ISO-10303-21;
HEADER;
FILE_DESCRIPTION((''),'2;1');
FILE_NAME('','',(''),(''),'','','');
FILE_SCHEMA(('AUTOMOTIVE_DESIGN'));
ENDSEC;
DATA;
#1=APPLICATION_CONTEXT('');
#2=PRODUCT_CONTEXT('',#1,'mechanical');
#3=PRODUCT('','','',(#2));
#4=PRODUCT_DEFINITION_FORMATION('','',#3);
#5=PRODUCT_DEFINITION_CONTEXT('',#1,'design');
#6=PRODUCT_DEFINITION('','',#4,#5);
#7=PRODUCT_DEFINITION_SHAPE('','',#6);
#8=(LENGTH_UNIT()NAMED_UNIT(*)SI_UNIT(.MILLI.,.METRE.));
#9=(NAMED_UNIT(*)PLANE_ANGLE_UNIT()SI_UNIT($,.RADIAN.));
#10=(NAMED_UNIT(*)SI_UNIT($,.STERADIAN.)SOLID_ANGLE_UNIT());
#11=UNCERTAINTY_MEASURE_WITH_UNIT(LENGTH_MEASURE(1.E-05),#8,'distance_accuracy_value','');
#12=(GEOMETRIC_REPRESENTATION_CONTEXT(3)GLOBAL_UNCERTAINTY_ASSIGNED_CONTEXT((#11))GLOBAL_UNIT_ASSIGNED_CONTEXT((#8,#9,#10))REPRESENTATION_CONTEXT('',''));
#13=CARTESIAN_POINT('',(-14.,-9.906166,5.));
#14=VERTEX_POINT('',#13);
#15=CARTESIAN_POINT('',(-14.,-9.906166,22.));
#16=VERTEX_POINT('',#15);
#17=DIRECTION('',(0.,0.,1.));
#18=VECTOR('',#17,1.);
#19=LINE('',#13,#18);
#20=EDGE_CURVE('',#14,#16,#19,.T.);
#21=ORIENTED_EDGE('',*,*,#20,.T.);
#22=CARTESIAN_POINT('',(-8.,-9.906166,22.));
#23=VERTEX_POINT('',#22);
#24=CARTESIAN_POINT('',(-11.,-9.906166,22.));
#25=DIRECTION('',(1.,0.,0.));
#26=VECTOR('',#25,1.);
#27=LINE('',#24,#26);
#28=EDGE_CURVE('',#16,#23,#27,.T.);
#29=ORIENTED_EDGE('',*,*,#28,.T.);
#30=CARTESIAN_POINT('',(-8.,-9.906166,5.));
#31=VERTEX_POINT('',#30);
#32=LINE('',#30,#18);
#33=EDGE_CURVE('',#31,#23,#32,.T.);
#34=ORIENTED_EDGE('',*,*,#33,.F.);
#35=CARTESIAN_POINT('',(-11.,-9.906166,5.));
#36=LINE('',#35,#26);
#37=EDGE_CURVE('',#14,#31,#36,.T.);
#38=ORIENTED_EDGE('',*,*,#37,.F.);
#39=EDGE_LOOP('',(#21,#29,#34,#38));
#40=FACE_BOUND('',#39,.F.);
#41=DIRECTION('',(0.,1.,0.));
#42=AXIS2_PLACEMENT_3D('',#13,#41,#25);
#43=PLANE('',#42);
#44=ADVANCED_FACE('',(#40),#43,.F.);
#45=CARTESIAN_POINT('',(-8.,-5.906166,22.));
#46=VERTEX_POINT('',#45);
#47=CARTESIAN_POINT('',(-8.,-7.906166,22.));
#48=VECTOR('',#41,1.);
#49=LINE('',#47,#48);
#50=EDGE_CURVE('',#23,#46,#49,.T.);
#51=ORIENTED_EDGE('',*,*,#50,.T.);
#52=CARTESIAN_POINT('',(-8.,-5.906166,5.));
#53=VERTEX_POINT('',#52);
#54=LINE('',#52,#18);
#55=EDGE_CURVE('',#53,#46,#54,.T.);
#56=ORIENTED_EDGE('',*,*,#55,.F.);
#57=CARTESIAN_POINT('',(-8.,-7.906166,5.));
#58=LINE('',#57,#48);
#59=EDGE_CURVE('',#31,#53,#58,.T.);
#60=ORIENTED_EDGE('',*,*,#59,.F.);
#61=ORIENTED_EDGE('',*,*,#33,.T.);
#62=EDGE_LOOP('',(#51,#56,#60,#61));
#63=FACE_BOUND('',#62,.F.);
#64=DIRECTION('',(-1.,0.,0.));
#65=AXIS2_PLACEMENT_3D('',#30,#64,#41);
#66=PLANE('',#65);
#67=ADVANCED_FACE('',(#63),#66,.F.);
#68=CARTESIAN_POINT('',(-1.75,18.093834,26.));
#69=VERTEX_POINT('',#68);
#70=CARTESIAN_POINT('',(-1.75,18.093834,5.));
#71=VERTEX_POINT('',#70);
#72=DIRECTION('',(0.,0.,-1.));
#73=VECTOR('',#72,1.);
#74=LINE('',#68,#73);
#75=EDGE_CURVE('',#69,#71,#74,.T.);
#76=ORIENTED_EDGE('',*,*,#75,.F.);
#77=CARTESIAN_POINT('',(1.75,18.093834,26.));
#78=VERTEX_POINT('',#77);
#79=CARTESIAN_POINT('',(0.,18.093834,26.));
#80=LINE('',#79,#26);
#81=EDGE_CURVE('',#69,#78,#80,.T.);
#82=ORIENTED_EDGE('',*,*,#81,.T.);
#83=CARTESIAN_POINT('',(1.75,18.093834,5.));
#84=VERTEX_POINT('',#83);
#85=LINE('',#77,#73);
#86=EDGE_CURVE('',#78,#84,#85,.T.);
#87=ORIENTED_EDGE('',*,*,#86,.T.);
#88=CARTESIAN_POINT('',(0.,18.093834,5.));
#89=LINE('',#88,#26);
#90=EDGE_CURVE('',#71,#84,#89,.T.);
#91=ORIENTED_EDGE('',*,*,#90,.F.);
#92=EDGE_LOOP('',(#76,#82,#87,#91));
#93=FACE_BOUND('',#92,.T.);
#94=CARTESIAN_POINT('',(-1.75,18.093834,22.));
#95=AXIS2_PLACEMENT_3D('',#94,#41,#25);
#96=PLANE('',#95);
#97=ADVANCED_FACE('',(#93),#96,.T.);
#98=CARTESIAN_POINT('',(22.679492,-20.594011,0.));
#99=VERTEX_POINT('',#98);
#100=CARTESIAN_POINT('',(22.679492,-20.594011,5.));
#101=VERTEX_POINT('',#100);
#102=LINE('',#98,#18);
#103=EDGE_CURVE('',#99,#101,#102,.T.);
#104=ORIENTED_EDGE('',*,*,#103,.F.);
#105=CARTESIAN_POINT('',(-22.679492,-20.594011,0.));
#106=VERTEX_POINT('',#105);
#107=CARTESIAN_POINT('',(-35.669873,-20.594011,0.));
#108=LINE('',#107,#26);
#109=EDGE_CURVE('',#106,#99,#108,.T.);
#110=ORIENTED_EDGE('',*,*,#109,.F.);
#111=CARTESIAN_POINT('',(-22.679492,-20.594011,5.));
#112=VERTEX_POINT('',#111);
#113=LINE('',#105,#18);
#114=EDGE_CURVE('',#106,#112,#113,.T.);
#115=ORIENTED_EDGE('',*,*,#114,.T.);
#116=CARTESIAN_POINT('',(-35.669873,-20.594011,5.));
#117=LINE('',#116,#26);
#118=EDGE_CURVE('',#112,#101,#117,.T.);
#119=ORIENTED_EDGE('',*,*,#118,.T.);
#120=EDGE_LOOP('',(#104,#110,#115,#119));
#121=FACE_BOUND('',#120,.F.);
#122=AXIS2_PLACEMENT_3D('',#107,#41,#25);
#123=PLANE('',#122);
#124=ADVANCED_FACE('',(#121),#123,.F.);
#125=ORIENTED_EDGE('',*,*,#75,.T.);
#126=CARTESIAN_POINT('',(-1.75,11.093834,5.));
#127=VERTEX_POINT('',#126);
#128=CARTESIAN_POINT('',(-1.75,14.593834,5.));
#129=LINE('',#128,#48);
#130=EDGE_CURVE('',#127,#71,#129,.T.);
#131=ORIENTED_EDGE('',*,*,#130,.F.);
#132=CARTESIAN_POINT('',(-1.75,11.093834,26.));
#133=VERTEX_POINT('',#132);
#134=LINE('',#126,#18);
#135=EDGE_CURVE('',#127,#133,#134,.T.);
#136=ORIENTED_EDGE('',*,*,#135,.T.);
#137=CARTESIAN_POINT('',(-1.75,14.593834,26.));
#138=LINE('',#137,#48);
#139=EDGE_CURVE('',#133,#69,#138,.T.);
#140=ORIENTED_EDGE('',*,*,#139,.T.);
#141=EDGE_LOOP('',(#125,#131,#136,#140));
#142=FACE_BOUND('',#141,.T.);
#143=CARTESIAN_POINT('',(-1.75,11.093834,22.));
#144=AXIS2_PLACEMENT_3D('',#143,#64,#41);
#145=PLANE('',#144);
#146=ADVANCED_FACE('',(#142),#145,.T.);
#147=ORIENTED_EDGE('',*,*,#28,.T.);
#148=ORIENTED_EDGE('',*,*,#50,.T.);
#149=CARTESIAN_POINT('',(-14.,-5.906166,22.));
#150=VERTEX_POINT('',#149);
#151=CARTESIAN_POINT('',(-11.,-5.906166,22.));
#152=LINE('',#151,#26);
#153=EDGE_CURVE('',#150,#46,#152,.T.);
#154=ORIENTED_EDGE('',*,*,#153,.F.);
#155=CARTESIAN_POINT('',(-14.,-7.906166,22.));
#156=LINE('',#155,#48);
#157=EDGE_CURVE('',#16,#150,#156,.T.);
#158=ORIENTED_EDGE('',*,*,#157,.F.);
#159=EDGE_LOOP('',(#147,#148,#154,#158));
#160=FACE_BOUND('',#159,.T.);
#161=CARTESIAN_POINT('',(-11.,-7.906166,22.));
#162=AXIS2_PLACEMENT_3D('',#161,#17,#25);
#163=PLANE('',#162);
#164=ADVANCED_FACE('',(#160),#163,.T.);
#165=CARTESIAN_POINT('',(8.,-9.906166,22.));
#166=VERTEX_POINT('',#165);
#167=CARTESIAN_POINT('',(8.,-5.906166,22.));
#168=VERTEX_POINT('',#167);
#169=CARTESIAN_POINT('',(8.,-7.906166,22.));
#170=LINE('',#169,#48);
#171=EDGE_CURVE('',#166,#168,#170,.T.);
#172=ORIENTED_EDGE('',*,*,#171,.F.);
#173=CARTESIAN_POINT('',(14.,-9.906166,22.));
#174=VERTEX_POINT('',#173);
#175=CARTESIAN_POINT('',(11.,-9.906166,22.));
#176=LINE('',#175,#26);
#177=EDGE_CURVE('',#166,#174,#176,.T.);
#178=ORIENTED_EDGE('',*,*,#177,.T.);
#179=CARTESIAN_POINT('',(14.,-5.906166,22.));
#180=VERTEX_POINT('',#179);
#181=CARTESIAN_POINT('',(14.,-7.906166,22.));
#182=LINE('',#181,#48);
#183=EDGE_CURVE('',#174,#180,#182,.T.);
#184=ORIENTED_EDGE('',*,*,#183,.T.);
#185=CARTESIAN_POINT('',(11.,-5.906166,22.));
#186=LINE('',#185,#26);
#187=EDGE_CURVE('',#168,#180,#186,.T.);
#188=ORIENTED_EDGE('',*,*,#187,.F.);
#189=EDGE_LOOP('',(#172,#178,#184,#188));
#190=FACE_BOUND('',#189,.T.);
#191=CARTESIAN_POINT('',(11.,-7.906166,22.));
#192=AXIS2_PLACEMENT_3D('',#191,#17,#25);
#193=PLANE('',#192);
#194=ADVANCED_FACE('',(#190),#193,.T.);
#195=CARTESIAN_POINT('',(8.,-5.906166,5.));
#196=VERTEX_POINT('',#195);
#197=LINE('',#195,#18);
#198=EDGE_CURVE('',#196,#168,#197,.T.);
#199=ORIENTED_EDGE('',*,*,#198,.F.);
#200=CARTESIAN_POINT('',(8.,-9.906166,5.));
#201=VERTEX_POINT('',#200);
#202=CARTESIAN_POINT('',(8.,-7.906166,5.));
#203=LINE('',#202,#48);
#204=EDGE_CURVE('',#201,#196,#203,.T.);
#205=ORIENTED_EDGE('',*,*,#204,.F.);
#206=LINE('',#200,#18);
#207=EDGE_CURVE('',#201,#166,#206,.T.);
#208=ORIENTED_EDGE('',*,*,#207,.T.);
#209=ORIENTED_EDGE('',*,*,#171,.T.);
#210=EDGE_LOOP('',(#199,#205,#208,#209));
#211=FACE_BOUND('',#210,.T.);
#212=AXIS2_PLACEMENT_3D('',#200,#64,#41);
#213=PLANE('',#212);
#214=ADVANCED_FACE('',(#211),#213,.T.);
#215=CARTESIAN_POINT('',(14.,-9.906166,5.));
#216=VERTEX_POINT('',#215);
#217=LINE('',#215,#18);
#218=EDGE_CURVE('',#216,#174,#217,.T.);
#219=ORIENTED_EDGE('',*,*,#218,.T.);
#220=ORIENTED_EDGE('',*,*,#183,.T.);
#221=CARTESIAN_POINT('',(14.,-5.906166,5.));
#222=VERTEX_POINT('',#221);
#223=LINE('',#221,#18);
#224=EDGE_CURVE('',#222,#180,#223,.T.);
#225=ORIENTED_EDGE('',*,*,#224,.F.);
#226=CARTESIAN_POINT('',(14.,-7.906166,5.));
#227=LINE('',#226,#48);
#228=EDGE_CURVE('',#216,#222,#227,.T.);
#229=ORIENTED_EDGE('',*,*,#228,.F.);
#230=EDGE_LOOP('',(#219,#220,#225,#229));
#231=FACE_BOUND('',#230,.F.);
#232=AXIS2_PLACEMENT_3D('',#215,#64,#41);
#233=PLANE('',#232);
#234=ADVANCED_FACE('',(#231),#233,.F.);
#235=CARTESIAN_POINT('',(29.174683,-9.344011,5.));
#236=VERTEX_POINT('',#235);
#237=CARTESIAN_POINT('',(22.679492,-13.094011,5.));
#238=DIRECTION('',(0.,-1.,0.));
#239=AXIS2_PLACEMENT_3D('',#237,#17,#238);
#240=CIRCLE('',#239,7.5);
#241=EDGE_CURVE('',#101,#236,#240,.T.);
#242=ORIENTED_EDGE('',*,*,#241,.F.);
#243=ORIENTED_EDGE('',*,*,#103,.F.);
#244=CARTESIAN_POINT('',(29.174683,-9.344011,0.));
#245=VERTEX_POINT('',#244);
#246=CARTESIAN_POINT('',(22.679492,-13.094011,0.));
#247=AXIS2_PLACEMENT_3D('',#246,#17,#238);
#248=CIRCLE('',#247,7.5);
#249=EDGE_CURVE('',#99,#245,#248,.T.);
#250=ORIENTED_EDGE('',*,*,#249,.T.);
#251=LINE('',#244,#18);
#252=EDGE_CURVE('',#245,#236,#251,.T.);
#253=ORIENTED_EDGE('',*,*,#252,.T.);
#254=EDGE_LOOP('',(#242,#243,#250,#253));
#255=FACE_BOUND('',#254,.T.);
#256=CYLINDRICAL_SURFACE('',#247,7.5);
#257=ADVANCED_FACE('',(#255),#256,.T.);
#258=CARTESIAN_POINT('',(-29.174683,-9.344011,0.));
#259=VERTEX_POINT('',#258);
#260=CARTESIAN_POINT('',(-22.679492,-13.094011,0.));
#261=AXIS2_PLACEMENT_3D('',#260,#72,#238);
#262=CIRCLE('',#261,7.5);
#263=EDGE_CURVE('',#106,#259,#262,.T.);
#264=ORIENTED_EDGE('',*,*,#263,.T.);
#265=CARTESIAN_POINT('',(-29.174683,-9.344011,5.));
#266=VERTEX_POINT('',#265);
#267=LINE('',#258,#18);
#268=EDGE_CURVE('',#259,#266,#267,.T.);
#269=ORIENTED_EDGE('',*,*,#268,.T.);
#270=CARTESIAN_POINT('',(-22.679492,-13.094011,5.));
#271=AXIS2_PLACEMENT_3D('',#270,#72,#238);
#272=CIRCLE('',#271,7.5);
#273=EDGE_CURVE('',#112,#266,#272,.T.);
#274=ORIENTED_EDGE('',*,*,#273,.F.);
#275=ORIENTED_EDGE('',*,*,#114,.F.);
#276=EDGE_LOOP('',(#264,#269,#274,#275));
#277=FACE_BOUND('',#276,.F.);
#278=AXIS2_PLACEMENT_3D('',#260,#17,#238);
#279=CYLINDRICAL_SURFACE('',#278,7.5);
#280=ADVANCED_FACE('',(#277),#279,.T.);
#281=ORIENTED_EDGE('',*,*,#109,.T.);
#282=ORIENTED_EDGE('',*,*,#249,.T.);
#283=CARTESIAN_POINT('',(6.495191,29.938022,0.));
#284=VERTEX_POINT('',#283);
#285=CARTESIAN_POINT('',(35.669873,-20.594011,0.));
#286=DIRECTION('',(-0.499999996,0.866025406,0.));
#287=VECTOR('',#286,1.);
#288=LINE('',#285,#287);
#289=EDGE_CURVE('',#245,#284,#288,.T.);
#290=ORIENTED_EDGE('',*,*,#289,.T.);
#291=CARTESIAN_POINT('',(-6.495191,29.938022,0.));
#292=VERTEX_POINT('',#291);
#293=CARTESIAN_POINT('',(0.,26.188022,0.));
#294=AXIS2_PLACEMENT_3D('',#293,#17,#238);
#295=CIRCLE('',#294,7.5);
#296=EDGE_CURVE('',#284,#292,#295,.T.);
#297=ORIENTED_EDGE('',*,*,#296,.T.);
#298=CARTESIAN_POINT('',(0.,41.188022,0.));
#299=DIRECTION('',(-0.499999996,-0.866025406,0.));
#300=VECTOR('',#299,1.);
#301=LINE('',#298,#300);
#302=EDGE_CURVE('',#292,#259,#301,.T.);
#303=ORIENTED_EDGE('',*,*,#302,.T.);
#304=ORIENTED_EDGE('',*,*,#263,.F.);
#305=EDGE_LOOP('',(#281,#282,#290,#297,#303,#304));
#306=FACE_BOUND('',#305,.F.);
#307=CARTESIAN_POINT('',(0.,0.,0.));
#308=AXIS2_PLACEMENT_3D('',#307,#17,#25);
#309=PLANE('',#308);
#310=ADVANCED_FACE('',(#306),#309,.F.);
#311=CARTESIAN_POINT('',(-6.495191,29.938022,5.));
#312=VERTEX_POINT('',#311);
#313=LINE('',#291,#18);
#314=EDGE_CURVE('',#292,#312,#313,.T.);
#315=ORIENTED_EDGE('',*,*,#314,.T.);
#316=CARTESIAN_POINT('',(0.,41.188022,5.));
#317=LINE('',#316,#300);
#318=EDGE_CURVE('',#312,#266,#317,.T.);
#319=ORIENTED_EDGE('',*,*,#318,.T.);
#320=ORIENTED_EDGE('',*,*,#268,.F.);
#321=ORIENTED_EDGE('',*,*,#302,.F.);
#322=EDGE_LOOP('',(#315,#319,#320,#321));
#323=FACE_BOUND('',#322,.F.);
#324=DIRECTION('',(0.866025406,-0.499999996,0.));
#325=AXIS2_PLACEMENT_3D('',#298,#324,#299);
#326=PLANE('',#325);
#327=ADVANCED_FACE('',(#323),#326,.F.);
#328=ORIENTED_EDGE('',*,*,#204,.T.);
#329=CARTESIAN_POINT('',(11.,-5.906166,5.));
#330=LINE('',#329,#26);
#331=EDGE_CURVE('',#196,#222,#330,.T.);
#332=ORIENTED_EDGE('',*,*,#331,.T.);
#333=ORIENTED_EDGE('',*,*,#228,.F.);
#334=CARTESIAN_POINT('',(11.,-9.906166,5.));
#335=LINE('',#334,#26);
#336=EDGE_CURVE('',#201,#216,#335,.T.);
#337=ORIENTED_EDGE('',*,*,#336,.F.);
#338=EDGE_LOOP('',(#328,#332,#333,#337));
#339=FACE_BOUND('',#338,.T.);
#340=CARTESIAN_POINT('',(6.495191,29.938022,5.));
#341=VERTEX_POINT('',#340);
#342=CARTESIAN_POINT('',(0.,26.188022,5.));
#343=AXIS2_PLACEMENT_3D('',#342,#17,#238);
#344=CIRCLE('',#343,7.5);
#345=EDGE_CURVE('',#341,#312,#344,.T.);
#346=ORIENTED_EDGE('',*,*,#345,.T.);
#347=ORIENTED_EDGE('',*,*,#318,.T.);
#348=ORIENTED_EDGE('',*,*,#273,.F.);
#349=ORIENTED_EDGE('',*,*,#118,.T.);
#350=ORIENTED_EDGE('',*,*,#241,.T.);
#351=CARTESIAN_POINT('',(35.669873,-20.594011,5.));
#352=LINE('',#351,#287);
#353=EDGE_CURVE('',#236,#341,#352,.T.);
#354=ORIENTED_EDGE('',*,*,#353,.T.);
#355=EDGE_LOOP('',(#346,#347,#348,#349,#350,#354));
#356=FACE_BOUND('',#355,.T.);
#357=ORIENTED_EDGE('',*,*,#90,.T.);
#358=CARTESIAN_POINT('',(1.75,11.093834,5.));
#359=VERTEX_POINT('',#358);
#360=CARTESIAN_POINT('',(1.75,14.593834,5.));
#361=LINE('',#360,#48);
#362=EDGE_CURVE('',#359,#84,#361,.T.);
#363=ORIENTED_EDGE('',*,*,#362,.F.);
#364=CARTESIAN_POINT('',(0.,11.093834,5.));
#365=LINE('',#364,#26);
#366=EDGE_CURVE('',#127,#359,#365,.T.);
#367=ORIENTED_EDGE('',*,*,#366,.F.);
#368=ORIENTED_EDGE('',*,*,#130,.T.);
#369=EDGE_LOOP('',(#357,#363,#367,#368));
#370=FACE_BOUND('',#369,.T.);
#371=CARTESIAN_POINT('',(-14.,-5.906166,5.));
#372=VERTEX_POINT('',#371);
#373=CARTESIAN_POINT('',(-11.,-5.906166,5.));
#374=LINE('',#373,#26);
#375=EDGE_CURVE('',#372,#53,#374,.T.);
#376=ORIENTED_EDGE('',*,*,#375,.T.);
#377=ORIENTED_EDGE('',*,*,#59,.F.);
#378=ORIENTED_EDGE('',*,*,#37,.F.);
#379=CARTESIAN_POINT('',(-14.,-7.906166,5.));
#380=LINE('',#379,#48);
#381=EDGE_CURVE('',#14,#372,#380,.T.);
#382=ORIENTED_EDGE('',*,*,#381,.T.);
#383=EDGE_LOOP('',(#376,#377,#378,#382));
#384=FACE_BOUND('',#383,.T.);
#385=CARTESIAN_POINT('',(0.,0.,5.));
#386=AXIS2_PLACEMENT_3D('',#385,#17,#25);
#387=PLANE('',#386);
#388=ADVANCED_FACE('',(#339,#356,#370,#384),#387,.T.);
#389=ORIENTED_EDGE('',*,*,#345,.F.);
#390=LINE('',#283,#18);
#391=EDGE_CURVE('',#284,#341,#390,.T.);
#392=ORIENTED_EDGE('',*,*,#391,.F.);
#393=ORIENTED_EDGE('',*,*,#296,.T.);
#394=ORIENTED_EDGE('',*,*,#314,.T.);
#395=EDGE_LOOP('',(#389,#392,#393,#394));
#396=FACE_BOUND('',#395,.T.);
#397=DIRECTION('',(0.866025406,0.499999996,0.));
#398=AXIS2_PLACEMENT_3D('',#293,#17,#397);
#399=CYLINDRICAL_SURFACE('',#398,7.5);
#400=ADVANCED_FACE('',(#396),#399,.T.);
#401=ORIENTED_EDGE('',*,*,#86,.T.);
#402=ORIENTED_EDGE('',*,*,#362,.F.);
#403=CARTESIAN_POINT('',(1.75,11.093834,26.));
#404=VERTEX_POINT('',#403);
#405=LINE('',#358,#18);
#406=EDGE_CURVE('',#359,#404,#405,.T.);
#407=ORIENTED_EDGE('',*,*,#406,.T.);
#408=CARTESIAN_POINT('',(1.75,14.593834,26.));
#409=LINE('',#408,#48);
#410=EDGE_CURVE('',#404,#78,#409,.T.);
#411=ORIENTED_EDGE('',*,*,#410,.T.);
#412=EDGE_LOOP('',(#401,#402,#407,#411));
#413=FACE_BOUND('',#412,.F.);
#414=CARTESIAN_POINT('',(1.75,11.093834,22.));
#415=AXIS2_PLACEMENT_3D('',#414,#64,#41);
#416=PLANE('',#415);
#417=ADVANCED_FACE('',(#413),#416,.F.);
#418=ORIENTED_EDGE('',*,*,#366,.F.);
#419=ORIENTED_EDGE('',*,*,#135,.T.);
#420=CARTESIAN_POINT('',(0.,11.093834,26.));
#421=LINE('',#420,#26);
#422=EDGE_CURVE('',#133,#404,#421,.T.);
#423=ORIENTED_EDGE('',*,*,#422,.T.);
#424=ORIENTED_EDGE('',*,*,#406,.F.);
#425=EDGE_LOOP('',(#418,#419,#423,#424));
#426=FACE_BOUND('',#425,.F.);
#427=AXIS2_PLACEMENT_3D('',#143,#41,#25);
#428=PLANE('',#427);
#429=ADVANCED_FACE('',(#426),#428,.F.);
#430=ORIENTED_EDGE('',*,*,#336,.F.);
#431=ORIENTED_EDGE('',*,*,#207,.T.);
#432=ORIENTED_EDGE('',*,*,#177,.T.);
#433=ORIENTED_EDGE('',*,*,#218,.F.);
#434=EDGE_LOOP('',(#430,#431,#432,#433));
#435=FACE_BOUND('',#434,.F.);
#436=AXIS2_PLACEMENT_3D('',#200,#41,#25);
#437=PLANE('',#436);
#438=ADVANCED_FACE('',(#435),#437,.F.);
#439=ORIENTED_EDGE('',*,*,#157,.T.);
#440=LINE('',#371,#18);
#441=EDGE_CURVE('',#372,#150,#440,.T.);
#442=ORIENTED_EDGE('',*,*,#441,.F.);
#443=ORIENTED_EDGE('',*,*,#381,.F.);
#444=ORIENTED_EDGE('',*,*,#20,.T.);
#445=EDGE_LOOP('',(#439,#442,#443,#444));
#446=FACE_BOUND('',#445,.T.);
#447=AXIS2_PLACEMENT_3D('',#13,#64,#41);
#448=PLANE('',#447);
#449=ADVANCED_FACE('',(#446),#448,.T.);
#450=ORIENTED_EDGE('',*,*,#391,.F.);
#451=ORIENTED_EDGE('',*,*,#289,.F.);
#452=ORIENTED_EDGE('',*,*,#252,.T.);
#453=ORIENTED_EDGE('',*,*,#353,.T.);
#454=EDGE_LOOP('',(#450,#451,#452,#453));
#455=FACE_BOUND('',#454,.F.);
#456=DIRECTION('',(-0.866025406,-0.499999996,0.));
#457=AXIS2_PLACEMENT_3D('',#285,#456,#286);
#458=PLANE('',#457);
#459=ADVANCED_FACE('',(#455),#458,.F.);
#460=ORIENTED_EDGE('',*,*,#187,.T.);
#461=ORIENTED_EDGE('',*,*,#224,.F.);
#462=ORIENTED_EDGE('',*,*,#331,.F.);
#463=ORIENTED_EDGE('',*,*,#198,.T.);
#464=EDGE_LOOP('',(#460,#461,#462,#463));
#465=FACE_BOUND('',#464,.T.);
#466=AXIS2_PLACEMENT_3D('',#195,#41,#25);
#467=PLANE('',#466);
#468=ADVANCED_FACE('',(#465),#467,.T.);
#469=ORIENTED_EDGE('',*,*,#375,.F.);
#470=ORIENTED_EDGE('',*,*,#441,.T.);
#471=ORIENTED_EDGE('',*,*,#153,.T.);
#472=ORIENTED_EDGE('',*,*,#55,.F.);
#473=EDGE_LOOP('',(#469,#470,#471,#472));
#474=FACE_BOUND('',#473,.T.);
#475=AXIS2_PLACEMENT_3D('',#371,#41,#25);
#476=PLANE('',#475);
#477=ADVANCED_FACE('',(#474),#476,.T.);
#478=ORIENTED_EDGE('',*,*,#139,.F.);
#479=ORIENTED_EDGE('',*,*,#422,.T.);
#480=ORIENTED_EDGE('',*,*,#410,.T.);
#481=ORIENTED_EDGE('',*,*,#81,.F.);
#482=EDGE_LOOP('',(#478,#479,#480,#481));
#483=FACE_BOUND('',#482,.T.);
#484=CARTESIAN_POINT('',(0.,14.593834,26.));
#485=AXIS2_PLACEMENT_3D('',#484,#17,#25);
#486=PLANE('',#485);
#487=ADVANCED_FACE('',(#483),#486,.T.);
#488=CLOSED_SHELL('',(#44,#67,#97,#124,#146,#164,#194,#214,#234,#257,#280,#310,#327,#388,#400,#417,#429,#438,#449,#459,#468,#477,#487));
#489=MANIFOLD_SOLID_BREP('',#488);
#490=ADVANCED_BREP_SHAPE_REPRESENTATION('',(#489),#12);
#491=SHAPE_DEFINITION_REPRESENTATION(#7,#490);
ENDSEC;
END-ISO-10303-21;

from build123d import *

# Parameters (mm, degrees)
F1_DEPTH  = 5
F2_R      = 7.5
F3_W      = 6
F3_H      = 4
F3_W_2    = 3.5
F3_H_2    = 7
F4_DEPTH  = 17
F4_FACE_W = 3.5
F4_FACE_H = 7
F5_DEPTH  = 4


with BuildPart() as f1:
    # F0 (on Top) → F1 (new body)
    with BuildSketch(Plane.XY):
        Polygon((-35.669873, -20.594011), (35.669873, -20.594011), (0, 41.188022), align=None)
    extrude(amount=F1_DEPTH)

    # F2
    f2_edges = [f1.edges().sort_by_distance(p)[0] for p in [
        (35.669873, -20.594011, 2.5),
        (0, 41.188022, 2.5),
        (-35.669873, -20.594011, 2.5),
    ]]
    fillet(f2_edges, radius=F2_R)

    # F3 (on face) → F4 (join)
    with BuildSketch(Plane.XY.offset(5)):
        with Locations((-11, -7.906166)):
            Rectangle(F3_W, F3_H)
        with Locations((11, -7.906166)):
            Rectangle(F3_W, F3_H)
        with Locations((0, 14.593834)):
            Rectangle(F3_W_2, F3_H_2)
    extrude(amount=F4_DEPTH)

    # F4_face (on face) → F5 (join)
    with BuildSketch(Plane(origin=(0, 14.593834, 22), x_dir=(1, 0, 0), z_dir=(0, 0, 1))):
        Rectangle(F4_FACE_W, F4_FACE_H)
    extrude(amount=F5_DEPTH)


solid = f1.part
